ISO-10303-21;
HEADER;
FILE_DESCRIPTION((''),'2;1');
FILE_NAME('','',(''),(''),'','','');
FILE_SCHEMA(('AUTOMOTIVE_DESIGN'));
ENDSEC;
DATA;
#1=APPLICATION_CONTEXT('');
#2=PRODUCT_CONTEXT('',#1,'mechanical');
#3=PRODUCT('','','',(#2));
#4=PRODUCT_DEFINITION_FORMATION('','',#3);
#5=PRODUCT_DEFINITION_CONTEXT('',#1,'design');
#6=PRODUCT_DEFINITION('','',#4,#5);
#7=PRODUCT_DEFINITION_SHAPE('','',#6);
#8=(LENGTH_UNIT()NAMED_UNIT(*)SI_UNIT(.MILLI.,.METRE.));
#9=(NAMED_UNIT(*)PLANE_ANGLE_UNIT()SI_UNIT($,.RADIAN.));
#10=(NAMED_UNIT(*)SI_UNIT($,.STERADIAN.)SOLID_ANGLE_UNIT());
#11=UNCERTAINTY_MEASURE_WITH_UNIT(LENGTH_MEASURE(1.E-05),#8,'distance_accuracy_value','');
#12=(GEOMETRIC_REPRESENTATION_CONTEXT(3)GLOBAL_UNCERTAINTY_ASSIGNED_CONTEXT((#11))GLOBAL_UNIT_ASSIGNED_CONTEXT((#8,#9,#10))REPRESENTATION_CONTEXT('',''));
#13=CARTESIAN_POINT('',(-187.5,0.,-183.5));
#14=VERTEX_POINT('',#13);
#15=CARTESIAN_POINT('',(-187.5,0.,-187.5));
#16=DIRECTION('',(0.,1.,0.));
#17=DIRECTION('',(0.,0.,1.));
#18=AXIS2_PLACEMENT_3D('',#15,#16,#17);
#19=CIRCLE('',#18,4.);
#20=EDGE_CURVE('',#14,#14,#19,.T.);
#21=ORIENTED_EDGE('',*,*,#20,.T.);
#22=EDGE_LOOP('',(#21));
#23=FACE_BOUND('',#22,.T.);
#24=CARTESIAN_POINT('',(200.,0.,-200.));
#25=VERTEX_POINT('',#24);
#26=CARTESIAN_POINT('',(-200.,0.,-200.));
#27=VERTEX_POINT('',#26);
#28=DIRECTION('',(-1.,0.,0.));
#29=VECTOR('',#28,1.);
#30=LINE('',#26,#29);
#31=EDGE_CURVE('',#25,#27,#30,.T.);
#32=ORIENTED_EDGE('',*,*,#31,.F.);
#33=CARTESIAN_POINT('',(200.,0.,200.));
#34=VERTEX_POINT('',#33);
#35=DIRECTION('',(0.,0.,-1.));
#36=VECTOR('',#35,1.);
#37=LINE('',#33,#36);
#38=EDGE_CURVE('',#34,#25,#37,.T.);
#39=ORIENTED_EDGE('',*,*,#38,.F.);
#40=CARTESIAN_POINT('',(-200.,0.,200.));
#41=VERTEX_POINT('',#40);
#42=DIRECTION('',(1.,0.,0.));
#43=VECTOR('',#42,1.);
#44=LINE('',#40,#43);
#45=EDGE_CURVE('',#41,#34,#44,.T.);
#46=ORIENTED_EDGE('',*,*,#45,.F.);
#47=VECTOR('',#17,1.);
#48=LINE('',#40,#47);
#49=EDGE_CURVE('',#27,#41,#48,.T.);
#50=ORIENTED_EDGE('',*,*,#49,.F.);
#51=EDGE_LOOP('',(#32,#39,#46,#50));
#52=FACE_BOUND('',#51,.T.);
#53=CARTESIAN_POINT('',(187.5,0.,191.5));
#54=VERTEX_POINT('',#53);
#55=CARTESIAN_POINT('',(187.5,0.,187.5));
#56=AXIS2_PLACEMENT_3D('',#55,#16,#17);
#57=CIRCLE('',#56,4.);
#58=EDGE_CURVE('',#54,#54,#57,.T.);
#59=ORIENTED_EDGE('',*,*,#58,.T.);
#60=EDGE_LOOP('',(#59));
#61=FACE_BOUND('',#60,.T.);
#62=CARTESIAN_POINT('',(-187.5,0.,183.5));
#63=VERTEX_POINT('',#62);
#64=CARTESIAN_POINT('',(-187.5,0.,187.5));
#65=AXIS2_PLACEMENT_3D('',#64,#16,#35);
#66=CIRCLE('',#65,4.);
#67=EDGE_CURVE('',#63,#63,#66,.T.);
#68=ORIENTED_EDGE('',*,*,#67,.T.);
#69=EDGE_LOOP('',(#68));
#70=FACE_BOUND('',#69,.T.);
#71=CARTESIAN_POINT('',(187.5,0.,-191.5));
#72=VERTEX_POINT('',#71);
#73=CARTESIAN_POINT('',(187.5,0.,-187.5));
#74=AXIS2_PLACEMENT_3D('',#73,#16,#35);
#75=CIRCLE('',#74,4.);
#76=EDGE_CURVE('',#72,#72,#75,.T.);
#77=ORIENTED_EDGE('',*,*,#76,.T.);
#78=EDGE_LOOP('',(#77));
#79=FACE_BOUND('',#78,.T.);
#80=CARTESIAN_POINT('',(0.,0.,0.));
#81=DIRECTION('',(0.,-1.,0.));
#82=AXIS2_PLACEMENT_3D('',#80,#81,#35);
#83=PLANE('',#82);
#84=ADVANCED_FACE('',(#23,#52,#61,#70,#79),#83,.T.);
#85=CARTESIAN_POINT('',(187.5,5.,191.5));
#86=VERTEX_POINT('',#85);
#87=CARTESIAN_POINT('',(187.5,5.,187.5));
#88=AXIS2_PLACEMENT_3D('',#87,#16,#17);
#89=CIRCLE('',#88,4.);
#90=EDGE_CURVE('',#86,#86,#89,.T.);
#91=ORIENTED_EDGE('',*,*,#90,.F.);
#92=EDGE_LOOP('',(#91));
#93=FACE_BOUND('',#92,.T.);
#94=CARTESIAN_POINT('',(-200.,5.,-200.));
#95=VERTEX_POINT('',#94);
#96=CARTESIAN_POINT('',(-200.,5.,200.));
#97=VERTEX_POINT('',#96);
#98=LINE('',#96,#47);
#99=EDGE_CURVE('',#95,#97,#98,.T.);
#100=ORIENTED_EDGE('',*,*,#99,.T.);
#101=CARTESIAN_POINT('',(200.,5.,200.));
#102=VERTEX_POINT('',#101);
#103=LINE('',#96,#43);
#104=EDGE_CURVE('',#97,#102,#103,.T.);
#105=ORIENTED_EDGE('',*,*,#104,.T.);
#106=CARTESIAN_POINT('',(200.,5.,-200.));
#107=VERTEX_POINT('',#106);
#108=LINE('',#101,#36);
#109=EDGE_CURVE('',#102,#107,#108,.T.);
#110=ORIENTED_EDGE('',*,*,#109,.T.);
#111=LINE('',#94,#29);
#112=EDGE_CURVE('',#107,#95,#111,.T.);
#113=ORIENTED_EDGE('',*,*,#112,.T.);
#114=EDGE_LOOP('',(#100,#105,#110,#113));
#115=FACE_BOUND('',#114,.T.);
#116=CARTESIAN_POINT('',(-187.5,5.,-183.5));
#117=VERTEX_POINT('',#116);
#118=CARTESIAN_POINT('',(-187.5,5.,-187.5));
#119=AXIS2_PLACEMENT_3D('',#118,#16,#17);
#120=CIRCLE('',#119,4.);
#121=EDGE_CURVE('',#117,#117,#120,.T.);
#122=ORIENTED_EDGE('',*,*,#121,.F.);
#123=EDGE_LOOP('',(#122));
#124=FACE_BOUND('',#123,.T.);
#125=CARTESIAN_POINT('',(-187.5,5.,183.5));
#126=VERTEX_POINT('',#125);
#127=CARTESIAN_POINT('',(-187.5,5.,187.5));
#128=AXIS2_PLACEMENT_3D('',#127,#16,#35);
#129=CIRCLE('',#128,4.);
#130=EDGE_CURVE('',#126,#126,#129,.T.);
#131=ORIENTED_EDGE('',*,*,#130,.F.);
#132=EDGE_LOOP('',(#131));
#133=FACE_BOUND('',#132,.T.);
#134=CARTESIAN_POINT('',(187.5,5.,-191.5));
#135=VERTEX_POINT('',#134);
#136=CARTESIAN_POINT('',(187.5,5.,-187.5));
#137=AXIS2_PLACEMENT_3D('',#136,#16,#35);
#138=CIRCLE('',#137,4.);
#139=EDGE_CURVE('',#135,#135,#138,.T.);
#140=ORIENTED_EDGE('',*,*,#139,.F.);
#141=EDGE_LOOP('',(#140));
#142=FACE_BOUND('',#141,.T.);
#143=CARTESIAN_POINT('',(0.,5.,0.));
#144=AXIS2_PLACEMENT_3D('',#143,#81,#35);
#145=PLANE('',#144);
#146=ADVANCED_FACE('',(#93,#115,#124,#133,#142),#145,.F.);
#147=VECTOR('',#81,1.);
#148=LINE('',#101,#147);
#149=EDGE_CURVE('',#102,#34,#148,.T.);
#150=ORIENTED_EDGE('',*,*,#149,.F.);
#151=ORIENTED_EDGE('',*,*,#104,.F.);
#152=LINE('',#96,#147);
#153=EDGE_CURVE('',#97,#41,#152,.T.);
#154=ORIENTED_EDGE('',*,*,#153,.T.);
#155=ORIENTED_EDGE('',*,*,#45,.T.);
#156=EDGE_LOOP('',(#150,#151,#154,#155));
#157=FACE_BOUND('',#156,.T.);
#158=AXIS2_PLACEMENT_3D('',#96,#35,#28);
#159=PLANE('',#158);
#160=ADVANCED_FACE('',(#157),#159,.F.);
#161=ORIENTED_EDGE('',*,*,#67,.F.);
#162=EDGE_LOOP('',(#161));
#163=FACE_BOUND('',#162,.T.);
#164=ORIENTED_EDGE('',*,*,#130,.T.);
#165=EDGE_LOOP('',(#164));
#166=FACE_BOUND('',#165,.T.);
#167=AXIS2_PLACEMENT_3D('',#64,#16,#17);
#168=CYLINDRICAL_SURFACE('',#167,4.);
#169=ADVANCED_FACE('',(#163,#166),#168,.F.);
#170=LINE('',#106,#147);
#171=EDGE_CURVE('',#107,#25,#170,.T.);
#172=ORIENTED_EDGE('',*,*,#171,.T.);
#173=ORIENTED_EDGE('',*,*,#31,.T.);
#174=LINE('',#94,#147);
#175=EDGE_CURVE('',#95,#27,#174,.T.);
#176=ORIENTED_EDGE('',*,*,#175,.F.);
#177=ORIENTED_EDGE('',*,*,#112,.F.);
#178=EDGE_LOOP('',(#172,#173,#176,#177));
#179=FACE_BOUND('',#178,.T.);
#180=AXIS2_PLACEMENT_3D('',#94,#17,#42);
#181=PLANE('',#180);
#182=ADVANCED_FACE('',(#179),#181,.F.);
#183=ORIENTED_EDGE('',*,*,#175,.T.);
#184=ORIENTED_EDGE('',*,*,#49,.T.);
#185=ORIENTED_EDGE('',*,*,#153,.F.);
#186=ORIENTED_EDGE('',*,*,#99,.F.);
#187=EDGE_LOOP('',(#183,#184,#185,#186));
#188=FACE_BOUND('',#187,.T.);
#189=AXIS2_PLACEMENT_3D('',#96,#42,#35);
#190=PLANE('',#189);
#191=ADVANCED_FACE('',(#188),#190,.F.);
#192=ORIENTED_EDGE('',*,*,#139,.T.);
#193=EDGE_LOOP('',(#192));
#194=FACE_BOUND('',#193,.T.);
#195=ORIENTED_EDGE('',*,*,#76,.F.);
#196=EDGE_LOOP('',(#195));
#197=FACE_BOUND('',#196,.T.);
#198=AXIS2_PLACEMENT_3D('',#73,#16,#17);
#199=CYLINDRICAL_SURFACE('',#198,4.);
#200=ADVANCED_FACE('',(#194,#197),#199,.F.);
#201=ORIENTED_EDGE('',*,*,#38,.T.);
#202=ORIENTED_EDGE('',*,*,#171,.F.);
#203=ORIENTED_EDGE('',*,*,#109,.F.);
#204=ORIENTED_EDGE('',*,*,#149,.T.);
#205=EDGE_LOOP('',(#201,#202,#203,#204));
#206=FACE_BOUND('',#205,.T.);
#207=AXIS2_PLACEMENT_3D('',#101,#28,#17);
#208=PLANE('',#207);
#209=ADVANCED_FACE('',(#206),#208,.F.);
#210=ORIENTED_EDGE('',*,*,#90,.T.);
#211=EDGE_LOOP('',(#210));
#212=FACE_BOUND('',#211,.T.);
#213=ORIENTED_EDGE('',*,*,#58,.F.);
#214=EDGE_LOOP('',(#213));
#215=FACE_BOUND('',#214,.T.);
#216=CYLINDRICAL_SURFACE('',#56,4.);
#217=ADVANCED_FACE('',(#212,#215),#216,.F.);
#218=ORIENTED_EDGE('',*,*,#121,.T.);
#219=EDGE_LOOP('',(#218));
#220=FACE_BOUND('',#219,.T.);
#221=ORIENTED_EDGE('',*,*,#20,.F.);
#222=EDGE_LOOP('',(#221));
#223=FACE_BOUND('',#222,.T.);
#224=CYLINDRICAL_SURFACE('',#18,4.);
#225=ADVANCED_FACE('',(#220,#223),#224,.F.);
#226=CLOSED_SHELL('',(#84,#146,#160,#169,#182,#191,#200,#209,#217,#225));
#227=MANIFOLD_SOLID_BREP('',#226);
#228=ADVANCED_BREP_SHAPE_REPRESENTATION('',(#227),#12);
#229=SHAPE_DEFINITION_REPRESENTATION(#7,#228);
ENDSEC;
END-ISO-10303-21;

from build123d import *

# Parameters (mm, degrees)
SKETCH1_W           = 400
SKETCH1_H           = 400
BOSS_EXTRUDE1_DEPTH = 5
SKETCH2_R           = 4
CUT_EXTRUDE1_DEPTH  = 283.886903196


with BuildPart() as part:
    # Sketch1 → Boss-Extrude1 (new body)
    with BuildSketch(Plane(origin=(0, 0, 0), x_dir=(1, 0, 0), z_dir=(0, 1, 0))):
        Rectangle(SKETCH1_W, SKETCH1_H)
    extrude(amount=BOSS_EXTRUDE1_DEPTH)

    # Sketch2 → Cut-Extrude1 (cut, through all)
    with BuildSketch(Plane(origin=(0, 5, 0), x_dir=(1, 0, 0), z_dir=(0, 1, 0))):
        with Locations(Location((-187.5, 187.5, 0), (0, 0, 270))):
            Circle(SKETCH2_R)
        with Locations(Location((187.5, 187.5, 0), (0, 0, 90))):
            Circle(SKETCH2_R)
        with Locations(Location((-187.5, -187.5, 0), (0, 0, 90))):
            Circle(SKETCH2_R)
        with Locations(Location((187.5, -187.5, 0), (0, 0, 270))):
            Circle(SKETCH2_R)
    extrude(amount=-CUT_EXTRUDE1_DEPTH, mode=Mode.SUBTRACT)


solid = part.part
